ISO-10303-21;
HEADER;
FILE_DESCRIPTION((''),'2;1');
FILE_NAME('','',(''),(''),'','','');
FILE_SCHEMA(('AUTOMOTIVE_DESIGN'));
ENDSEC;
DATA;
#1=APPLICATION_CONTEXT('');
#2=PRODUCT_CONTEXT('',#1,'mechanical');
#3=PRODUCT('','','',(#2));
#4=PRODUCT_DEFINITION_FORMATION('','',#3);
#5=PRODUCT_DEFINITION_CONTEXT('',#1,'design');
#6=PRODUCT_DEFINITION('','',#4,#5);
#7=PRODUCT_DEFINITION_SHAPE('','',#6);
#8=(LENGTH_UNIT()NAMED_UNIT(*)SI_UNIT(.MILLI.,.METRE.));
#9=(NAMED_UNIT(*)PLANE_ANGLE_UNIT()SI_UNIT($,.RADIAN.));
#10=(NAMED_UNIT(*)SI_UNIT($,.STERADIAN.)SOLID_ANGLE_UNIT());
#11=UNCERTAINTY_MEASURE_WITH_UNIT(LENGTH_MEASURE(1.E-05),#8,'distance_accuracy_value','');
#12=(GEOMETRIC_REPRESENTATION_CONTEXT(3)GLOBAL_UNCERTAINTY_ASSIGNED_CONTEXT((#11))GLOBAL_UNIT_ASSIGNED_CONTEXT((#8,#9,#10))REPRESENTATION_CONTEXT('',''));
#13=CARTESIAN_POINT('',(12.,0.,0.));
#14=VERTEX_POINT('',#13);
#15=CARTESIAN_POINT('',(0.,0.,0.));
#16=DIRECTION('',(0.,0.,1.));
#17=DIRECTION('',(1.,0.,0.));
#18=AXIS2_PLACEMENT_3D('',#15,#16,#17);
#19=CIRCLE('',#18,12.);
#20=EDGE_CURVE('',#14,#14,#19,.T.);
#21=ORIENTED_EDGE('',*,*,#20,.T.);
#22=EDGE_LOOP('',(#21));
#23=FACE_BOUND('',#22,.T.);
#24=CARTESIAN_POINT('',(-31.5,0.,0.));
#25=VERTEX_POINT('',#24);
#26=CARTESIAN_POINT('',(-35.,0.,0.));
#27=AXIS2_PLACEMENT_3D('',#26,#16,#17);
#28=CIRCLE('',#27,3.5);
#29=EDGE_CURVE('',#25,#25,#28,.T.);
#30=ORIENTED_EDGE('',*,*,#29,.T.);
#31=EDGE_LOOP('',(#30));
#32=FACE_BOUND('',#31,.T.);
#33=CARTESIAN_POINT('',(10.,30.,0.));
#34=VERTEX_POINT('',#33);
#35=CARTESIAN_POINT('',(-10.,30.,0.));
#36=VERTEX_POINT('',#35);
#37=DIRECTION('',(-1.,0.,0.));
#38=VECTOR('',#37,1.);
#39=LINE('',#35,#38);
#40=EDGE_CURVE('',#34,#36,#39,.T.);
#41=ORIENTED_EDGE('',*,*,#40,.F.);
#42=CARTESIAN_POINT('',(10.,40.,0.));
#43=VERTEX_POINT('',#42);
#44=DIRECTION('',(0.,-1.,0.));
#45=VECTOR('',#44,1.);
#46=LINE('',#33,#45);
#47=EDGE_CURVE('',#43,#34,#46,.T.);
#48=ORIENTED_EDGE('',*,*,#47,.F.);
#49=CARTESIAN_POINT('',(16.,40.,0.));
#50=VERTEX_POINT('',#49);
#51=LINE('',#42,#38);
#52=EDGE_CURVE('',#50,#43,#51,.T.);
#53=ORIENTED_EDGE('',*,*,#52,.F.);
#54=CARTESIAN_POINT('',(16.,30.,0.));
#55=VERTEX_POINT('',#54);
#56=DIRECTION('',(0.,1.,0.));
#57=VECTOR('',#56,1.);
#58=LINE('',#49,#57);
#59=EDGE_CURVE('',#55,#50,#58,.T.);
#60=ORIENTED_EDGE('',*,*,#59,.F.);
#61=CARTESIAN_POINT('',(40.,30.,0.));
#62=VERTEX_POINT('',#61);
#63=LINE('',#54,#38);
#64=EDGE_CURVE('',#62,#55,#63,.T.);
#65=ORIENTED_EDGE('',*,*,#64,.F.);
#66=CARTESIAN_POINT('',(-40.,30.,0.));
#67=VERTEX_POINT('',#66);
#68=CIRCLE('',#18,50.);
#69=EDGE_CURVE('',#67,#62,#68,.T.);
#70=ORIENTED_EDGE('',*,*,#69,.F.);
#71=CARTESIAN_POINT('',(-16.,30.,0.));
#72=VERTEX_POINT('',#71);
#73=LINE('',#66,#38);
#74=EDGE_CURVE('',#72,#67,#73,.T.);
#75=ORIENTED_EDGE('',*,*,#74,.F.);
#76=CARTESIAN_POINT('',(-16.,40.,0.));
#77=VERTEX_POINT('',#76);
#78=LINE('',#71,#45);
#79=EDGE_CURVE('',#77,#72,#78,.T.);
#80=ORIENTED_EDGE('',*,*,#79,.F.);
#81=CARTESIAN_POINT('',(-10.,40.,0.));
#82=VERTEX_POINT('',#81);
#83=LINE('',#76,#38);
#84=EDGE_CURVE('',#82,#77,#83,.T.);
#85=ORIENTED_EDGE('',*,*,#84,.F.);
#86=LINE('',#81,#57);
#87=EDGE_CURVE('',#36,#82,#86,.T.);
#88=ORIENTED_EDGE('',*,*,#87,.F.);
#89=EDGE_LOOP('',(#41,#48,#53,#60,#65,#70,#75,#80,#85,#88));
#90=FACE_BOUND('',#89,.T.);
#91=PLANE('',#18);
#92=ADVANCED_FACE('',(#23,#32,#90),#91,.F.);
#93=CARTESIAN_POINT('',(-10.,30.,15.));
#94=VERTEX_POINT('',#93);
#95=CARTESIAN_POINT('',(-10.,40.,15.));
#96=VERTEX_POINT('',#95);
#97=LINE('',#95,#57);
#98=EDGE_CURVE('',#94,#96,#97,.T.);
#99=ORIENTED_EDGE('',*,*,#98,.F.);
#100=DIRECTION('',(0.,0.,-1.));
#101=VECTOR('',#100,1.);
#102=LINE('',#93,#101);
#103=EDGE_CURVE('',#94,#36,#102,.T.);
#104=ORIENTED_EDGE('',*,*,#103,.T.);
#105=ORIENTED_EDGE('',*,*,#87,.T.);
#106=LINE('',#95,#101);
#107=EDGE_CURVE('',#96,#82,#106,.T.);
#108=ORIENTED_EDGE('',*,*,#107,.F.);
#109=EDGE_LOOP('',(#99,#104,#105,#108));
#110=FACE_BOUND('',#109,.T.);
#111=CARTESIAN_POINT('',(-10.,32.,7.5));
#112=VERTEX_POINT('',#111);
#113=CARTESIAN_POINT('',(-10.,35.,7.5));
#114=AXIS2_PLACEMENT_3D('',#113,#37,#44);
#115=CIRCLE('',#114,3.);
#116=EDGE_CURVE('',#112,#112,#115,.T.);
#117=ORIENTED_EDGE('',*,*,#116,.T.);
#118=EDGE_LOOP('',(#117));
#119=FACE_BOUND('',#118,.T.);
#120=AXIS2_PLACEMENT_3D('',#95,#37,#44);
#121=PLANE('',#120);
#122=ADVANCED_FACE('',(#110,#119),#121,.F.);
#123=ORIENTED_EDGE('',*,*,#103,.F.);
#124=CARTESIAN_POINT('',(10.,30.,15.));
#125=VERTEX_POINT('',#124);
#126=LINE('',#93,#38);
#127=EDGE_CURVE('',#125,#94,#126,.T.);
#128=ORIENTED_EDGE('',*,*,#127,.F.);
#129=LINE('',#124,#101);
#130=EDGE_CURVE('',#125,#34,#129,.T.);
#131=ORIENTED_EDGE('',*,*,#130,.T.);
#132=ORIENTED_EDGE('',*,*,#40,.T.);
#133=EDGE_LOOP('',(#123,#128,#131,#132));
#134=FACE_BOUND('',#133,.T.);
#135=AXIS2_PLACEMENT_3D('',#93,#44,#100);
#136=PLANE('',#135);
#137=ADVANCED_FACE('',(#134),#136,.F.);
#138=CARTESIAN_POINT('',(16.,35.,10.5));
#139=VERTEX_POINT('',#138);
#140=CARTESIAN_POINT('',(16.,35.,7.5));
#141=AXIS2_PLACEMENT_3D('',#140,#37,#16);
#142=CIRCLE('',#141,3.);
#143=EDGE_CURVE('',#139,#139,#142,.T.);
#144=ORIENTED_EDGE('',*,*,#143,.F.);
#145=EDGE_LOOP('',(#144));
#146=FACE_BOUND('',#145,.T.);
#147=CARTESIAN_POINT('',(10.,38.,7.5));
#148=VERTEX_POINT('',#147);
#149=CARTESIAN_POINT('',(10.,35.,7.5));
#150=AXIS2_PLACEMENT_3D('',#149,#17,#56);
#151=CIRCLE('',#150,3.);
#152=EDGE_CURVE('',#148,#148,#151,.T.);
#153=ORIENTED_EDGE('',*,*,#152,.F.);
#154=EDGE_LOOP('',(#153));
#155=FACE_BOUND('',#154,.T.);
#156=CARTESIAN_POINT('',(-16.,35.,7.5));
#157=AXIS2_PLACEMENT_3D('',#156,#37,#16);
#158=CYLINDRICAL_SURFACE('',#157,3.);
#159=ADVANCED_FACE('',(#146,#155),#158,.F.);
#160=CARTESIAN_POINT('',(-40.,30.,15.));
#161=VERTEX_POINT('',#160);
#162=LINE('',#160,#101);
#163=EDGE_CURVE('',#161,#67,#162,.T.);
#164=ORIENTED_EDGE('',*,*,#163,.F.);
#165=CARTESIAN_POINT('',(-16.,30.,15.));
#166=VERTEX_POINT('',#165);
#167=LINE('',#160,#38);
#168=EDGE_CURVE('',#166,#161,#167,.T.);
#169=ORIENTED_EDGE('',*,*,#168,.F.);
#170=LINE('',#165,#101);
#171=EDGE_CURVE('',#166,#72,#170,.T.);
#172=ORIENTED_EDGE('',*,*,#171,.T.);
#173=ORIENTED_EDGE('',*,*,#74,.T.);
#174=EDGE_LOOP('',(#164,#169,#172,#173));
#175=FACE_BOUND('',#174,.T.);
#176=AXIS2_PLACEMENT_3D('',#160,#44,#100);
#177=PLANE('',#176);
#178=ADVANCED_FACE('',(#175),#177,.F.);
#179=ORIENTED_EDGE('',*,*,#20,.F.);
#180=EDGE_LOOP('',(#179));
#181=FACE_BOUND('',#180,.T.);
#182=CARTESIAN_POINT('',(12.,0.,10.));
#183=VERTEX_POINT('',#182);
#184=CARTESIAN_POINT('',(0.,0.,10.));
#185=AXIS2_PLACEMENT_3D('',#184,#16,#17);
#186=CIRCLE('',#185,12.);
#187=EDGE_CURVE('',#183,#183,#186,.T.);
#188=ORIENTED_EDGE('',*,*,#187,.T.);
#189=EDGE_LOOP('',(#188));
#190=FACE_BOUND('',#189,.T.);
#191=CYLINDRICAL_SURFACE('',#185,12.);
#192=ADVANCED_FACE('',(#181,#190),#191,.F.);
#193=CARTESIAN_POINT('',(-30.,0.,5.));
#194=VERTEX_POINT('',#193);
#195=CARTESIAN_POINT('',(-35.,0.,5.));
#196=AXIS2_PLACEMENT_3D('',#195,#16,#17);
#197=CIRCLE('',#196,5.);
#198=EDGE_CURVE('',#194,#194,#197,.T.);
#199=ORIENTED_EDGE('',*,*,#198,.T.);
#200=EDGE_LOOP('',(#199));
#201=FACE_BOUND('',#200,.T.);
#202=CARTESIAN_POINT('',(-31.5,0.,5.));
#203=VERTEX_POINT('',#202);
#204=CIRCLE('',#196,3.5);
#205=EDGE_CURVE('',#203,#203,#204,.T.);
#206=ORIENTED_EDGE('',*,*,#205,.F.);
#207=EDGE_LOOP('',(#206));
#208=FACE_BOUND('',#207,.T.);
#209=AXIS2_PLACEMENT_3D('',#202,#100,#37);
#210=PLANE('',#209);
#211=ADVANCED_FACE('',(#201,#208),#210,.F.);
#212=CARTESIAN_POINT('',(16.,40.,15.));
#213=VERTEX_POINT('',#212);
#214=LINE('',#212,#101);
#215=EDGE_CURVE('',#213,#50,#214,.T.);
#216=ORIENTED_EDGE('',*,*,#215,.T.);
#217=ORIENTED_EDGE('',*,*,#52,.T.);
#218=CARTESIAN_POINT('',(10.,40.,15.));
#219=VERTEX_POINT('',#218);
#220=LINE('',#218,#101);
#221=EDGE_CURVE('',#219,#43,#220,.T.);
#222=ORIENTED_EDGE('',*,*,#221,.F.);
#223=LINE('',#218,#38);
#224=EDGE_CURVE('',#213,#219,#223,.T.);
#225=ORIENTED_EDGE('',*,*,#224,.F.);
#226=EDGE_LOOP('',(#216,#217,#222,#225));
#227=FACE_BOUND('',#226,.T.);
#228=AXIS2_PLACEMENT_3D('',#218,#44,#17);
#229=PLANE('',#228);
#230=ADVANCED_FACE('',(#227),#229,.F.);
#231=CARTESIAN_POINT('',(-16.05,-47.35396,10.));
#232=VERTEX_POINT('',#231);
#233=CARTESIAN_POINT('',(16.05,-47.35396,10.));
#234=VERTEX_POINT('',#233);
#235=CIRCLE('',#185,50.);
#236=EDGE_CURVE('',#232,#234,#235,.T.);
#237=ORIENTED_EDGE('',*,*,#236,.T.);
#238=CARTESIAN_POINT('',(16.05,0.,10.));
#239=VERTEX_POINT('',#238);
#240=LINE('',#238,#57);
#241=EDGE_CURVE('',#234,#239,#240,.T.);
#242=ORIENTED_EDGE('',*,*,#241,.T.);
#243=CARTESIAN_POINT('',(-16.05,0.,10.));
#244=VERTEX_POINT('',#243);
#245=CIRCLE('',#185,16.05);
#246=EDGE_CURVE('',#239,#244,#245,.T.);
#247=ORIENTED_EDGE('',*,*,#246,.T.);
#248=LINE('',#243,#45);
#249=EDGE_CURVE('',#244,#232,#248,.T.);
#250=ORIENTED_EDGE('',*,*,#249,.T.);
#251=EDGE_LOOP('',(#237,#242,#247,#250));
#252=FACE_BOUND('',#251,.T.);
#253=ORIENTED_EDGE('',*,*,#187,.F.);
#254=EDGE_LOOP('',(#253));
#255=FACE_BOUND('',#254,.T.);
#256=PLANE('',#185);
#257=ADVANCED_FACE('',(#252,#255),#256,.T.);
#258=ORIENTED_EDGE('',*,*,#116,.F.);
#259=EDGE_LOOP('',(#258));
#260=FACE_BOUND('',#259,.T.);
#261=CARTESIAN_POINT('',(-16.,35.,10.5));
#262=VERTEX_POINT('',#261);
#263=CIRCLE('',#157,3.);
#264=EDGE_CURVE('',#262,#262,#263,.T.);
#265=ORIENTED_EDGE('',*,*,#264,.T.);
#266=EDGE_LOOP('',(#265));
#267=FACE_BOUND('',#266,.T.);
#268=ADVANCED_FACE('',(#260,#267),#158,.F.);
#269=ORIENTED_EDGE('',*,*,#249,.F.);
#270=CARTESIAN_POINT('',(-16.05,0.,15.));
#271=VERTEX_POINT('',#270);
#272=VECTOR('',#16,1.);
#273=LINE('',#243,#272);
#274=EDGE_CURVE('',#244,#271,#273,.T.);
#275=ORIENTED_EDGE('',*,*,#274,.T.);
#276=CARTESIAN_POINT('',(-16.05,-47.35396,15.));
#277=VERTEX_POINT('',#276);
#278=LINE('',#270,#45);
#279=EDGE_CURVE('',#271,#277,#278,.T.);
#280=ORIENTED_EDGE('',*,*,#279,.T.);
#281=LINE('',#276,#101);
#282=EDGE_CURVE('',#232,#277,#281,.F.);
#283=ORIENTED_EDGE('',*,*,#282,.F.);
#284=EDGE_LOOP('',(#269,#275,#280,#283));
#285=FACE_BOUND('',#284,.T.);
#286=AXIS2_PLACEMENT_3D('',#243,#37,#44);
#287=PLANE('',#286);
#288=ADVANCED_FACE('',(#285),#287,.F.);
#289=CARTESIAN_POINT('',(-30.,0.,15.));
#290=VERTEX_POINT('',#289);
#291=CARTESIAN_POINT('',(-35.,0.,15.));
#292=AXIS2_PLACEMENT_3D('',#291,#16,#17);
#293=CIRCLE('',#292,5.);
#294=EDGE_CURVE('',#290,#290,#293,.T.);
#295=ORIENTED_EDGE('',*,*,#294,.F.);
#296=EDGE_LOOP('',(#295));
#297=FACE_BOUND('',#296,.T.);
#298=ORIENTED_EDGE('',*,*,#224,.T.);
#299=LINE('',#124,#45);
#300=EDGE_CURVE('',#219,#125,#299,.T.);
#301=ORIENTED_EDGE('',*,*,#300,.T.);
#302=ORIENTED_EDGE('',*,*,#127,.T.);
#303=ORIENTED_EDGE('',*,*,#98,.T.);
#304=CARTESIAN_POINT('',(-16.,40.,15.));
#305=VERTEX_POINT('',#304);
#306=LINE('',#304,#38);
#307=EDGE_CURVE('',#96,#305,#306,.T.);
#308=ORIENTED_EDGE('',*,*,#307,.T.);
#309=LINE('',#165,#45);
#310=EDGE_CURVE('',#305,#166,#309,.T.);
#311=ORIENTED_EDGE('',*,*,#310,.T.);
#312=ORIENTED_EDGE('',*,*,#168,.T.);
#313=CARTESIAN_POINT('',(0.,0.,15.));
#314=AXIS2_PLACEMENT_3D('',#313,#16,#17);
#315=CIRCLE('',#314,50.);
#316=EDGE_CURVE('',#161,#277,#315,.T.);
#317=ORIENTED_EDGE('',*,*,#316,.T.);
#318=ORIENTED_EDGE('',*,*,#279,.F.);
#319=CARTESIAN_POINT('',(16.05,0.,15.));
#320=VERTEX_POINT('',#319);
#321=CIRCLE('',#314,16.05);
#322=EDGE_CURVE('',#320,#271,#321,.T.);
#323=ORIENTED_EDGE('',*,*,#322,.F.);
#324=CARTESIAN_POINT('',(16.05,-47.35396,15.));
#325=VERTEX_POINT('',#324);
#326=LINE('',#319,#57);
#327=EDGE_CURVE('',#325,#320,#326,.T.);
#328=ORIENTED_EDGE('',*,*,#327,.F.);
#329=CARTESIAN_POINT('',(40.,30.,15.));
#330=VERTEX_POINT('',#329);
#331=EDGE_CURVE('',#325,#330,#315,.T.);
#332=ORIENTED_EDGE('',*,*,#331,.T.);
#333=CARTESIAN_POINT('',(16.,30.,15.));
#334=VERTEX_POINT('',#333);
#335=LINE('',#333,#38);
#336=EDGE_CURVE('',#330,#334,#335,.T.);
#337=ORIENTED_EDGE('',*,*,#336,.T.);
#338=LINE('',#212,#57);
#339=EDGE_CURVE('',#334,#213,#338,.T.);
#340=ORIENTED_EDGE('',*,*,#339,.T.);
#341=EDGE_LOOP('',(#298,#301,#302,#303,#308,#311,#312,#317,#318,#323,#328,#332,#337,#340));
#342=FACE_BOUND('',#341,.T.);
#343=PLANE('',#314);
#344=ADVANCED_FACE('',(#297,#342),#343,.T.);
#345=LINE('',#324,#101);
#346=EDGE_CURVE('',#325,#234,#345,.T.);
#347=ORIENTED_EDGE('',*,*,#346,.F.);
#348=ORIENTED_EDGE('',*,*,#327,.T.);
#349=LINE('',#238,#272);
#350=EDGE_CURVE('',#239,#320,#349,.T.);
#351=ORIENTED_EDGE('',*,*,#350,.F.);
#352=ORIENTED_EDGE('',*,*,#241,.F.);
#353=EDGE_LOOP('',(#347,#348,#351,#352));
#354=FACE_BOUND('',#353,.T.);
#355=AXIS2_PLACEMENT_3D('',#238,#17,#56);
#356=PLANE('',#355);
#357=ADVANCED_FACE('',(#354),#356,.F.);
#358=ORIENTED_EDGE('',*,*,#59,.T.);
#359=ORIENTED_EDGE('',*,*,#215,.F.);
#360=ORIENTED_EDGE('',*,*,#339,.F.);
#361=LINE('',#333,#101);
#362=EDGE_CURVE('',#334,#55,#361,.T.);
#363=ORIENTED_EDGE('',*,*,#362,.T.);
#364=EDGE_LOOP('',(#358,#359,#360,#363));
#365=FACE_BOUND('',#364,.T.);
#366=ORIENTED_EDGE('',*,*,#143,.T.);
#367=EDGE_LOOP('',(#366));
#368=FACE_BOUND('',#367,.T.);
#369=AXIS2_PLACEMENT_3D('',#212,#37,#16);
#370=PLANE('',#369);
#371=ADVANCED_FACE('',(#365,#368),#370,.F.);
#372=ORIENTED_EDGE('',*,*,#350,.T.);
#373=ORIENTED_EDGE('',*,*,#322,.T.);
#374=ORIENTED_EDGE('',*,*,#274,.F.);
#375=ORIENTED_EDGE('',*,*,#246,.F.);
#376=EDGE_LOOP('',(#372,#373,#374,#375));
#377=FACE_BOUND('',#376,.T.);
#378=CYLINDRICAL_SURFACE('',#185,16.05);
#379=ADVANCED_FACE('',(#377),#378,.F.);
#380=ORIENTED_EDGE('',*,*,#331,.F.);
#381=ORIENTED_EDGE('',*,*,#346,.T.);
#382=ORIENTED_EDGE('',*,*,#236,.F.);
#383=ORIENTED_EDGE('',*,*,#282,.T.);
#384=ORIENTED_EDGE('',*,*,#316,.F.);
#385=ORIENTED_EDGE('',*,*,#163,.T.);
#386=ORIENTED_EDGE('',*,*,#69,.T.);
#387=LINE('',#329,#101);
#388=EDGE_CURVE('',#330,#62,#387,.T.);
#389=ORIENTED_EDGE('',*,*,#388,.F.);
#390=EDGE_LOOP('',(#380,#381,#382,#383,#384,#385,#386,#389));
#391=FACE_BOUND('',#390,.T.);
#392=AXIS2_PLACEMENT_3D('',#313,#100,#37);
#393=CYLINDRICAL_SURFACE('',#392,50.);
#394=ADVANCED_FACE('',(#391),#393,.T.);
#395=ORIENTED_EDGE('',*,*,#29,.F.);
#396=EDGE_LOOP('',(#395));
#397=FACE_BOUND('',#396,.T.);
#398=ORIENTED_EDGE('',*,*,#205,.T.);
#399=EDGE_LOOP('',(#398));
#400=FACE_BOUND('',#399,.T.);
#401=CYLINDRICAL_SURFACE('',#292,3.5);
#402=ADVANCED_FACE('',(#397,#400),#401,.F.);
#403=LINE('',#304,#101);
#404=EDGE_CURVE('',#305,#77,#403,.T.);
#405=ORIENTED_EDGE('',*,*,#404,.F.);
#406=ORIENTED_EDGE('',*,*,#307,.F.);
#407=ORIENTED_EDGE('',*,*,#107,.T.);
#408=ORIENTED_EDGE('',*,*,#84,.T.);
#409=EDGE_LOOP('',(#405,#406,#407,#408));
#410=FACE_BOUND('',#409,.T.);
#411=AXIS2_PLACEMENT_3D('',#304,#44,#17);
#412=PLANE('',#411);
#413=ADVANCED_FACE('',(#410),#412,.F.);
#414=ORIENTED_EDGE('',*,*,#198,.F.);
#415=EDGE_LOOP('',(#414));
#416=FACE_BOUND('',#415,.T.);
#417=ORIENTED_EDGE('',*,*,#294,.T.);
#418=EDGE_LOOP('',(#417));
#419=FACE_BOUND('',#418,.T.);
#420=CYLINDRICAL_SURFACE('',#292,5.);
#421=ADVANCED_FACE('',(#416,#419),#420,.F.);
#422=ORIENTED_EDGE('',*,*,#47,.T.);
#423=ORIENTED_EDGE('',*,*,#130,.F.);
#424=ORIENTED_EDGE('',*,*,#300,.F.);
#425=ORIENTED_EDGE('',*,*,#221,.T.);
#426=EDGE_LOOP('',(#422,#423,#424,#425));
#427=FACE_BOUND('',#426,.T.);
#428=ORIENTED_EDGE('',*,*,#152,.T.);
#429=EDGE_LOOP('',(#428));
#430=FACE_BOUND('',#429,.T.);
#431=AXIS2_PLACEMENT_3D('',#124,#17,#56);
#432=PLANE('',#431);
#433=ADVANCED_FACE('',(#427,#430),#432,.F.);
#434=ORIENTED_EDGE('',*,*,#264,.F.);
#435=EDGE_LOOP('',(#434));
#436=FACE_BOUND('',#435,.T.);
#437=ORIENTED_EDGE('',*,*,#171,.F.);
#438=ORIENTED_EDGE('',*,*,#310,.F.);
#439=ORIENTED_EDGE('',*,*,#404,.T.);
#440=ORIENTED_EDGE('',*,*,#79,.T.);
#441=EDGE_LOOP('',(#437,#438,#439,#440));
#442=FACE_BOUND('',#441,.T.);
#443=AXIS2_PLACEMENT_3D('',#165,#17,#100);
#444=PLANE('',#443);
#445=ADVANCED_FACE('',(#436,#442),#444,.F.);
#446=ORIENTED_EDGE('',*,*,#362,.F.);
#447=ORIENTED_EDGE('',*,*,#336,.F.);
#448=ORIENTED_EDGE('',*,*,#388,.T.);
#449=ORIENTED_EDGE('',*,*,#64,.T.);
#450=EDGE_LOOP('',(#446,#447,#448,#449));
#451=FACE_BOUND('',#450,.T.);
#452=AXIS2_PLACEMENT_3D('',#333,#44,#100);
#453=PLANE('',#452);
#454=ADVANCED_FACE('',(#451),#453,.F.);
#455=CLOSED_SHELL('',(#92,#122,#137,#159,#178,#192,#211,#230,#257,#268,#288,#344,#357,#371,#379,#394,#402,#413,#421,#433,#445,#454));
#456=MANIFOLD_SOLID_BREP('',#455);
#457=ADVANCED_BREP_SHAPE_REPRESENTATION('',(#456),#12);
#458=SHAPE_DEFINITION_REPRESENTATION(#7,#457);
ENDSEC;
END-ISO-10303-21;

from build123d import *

# Parameters (mm, degrees)
ESTRUSIONE_ESTRUSIONE1_DEPTH                         = 15
TAGLIO_ESTRUSIONE1_DEPTH                             = 5
FORO_6_0_6_1_D                                       = 6
FORO_LAMATO_PER_BULLONE_M5_A_TESTA_ESAGO_D           = 7
FORO_LAMATO_PER_BULLONE_M5_A_TESTA_ESAGO_CBORE_D     = 10
FORO_LAMATO_PER_BULLONE_M5_A_TESTA_ESAGO_CBORE_DEPTH = 10
FORO_24_0_24_1_D                                     = 24


with BuildPart() as part:
    # Schizzo1 → Estrusione-Estrusione1 (new body)
    with BuildSketch(Plane.XY):
        with BuildLine():
            Line((-40, 30), (-16, 30))
            Line((-16, 30), (-16, 40))
            Line((-16, 40), (-10, 40))
            Line((-10, 40), (-10, 30))
            Line((-10, 30), (10, 30))
            Line((10, 30), (10, 40))
            Line((10, 40), (16, 40))
            Line((16, 40), (16, 30))
            Line((16, 30), (40, 30))
            ThreePointArc((40, 30), (0, -50), (-40, 30))
        make_face()
    extrude(amount=ESTRUSIONE_ESTRUSIONE1_DEPTH)

    # Schizzo2 → Taglio-Estrusione1 (cut)
    with BuildSketch(Plane.XY.offset(15)):
        with BuildLine():
            Line((-16.05, 0), (-16.05, -50))
            Line((-16.05, -50), (16.05, -50))
            Line((16.05, -50), (16.05, 0))
            ThreePointArc((16.05, 0), (0, 16.05), (-16.05, 0))
        make_face()
    extrude(amount=-TAGLIO_ESTRUSIONE1_DEPTH, mode=Mode.SUBTRACT)

    # Foro Ø6.0 (6)-1 (through all)
    with Locations(Plane.ZY.offset(16)):
        with Locations((7.5, 35)):
            Hole(FORO_6_0_6_1_D / 2)

    # Foro lamato per Bullone M5 a testa esagonale-1 (through all)
    with Locations(Plane.XY.offset(15)):
        with Locations((-35, 0)):
            CounterBoreHole(FORO_LAMATO_PER_BULLONE_M5_A_TESTA_ESAGO_D / 2, FORO_LAMATO_PER_BULLONE_M5_A_TESTA_ESAGO_CBORE_D / 2, FORO_LAMATO_PER_BULLONE_M5_A_TESTA_ESAGO_CBORE_DEPTH)

    # Foro Ø24.0 (24)-1 (through all)
    with Locations(Plane.XY.offset(10)):
        with Locations((0, 0)):
            Hole(FORO_24_0_24_1_D / 2)


solid = part.part
